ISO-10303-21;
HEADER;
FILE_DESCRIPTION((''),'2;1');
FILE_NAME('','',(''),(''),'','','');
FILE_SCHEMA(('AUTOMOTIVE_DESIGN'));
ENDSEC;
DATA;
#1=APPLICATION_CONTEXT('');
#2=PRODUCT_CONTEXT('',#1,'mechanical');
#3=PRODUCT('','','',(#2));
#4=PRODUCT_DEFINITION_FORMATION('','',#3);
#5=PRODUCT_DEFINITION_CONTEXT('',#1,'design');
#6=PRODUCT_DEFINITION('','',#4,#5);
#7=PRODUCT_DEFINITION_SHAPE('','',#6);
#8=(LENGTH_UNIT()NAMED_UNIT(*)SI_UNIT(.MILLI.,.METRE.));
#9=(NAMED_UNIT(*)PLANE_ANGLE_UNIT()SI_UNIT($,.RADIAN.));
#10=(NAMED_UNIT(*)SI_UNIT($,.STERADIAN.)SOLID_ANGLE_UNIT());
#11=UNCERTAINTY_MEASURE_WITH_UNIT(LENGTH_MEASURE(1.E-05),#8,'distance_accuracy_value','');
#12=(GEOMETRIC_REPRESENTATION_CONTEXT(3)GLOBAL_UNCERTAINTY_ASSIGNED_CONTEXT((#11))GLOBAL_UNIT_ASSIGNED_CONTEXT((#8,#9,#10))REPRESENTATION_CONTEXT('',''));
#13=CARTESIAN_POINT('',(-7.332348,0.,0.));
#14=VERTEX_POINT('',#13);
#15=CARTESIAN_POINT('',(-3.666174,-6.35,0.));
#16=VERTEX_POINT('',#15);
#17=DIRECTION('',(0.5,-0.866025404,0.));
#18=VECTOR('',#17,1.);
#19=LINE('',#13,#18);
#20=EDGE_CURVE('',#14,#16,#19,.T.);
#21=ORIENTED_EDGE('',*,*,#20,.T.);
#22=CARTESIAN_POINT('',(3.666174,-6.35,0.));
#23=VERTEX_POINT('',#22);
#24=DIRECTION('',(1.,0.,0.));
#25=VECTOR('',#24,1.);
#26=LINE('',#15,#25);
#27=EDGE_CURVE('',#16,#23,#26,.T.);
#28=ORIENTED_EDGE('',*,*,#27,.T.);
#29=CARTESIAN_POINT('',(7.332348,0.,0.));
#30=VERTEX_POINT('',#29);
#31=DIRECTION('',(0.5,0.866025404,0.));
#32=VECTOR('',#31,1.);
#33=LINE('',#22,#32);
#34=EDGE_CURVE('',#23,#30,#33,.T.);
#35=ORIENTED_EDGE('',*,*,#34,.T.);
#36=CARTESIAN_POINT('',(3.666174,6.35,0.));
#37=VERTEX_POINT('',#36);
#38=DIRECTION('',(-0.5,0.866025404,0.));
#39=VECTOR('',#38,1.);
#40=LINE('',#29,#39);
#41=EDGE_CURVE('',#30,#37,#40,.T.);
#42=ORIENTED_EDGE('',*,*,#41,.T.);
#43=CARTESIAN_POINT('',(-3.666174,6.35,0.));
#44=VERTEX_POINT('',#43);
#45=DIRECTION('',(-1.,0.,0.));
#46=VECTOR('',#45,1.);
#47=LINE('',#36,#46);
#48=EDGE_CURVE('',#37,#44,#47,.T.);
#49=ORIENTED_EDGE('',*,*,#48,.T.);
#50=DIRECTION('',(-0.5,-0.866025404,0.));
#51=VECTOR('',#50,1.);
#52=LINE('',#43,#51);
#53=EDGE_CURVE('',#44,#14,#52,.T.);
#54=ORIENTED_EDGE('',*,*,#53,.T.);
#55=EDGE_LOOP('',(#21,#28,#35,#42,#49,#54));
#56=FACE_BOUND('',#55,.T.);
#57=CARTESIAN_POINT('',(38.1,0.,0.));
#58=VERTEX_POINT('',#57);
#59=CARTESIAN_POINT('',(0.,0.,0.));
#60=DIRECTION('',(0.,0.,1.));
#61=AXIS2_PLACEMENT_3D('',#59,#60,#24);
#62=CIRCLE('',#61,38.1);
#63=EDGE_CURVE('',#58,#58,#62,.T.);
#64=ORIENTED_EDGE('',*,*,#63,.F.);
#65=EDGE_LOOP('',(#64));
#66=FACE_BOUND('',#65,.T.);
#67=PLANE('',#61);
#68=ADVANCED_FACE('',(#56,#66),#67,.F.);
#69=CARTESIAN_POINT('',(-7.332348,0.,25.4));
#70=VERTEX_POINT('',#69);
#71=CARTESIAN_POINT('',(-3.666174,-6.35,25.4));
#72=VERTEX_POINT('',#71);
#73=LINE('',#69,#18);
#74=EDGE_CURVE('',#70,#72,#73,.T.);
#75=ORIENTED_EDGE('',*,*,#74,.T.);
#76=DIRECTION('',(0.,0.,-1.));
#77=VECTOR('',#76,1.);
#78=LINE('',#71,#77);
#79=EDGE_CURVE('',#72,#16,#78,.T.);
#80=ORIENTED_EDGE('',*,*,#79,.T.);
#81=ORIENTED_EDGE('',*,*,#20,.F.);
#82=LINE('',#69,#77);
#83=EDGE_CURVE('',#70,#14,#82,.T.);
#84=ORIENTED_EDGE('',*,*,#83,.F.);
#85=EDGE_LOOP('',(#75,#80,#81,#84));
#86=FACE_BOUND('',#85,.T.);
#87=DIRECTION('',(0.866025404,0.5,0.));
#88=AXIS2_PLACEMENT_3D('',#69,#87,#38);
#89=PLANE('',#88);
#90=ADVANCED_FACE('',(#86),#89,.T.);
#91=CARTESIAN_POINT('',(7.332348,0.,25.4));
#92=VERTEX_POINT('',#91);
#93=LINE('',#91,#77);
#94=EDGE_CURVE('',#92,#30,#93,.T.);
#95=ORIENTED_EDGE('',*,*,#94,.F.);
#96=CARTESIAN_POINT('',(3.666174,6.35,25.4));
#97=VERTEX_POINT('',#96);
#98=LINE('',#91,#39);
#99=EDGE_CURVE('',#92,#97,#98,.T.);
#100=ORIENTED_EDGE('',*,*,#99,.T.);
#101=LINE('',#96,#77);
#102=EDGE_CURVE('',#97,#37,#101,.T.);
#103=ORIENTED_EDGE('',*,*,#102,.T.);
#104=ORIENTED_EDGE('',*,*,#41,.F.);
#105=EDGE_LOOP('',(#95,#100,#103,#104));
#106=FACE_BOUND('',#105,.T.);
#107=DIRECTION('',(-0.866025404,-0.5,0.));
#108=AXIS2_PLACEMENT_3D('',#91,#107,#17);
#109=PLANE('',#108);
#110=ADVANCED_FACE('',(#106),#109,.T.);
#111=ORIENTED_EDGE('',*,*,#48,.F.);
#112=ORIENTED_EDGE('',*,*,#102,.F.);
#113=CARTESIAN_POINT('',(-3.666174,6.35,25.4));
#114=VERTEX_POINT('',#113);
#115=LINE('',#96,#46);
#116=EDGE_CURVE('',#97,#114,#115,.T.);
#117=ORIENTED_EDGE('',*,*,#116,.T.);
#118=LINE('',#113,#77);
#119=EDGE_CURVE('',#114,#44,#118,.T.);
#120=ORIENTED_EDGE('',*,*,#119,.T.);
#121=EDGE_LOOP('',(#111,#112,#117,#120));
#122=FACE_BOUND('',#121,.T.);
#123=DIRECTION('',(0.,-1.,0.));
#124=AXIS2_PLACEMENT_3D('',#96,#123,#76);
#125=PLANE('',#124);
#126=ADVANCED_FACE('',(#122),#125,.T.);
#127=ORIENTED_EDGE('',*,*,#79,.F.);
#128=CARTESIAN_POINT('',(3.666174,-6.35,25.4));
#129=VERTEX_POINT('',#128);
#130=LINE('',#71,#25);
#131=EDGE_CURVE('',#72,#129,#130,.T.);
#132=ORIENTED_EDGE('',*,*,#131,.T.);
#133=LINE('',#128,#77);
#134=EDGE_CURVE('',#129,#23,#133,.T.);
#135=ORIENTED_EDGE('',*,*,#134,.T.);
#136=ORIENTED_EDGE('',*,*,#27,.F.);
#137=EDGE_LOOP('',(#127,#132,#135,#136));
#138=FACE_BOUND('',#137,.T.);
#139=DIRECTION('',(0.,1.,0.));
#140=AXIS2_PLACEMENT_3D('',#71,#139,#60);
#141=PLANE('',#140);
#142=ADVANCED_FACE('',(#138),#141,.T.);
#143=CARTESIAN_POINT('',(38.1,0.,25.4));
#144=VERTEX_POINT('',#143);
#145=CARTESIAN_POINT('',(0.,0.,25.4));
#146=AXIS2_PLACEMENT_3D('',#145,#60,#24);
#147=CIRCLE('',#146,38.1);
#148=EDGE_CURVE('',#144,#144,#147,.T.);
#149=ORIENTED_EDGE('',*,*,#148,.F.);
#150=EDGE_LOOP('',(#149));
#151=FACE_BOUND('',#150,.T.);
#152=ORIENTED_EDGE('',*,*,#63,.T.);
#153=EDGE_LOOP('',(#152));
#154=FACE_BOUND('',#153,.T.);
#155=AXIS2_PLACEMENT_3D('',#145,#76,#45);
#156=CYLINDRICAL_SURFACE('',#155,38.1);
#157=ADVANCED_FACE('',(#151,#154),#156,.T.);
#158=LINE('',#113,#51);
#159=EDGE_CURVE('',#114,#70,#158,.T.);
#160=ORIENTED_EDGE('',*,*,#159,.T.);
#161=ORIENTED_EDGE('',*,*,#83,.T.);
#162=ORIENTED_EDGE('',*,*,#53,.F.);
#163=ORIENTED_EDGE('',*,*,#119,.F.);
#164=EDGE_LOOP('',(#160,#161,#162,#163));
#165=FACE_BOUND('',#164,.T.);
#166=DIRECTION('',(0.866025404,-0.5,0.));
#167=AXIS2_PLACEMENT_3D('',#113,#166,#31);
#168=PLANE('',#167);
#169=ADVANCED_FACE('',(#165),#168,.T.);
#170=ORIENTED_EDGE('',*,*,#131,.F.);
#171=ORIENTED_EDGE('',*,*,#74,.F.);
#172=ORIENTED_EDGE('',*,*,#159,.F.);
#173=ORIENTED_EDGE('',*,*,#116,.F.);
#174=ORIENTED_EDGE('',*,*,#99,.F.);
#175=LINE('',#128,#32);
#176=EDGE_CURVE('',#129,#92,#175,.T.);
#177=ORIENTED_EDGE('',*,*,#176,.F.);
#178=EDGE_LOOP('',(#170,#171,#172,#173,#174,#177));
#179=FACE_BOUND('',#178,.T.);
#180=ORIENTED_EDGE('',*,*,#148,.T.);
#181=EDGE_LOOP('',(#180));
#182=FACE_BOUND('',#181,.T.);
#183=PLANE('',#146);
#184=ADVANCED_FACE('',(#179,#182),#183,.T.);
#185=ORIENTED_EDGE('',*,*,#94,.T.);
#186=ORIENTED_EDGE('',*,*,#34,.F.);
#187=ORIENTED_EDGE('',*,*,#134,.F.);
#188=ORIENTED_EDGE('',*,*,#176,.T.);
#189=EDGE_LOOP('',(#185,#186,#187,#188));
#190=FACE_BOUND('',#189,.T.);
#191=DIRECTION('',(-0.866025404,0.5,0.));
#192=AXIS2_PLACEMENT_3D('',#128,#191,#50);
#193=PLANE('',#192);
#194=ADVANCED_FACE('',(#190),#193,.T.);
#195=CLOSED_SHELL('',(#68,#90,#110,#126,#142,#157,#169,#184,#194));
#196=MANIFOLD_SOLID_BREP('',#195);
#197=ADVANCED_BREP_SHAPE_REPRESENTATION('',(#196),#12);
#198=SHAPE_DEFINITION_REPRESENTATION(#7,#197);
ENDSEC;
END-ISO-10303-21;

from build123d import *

# Parameters (mm, degrees)
SKETCH1_R           = 38.1
BOSS_EXTRUDE1_DEPTH = 25.4


with BuildPart() as part:
    # Sketch1 → Boss-Extrude1 (new body)
    with BuildSketch(Plane.XY):
        Circle(SKETCH1_R)
        Polygon((-3.666174209, 6.35), (-7.332348419, 0), (-3.666174209, -6.35), (3.666174209, -6.35), (7.332348419, 0), (3.666174209, 6.35), align=None, mode=Mode.SUBTRACT)
    extrude(amount=BOSS_EXTRUDE1_DEPTH)


solid = part.part
